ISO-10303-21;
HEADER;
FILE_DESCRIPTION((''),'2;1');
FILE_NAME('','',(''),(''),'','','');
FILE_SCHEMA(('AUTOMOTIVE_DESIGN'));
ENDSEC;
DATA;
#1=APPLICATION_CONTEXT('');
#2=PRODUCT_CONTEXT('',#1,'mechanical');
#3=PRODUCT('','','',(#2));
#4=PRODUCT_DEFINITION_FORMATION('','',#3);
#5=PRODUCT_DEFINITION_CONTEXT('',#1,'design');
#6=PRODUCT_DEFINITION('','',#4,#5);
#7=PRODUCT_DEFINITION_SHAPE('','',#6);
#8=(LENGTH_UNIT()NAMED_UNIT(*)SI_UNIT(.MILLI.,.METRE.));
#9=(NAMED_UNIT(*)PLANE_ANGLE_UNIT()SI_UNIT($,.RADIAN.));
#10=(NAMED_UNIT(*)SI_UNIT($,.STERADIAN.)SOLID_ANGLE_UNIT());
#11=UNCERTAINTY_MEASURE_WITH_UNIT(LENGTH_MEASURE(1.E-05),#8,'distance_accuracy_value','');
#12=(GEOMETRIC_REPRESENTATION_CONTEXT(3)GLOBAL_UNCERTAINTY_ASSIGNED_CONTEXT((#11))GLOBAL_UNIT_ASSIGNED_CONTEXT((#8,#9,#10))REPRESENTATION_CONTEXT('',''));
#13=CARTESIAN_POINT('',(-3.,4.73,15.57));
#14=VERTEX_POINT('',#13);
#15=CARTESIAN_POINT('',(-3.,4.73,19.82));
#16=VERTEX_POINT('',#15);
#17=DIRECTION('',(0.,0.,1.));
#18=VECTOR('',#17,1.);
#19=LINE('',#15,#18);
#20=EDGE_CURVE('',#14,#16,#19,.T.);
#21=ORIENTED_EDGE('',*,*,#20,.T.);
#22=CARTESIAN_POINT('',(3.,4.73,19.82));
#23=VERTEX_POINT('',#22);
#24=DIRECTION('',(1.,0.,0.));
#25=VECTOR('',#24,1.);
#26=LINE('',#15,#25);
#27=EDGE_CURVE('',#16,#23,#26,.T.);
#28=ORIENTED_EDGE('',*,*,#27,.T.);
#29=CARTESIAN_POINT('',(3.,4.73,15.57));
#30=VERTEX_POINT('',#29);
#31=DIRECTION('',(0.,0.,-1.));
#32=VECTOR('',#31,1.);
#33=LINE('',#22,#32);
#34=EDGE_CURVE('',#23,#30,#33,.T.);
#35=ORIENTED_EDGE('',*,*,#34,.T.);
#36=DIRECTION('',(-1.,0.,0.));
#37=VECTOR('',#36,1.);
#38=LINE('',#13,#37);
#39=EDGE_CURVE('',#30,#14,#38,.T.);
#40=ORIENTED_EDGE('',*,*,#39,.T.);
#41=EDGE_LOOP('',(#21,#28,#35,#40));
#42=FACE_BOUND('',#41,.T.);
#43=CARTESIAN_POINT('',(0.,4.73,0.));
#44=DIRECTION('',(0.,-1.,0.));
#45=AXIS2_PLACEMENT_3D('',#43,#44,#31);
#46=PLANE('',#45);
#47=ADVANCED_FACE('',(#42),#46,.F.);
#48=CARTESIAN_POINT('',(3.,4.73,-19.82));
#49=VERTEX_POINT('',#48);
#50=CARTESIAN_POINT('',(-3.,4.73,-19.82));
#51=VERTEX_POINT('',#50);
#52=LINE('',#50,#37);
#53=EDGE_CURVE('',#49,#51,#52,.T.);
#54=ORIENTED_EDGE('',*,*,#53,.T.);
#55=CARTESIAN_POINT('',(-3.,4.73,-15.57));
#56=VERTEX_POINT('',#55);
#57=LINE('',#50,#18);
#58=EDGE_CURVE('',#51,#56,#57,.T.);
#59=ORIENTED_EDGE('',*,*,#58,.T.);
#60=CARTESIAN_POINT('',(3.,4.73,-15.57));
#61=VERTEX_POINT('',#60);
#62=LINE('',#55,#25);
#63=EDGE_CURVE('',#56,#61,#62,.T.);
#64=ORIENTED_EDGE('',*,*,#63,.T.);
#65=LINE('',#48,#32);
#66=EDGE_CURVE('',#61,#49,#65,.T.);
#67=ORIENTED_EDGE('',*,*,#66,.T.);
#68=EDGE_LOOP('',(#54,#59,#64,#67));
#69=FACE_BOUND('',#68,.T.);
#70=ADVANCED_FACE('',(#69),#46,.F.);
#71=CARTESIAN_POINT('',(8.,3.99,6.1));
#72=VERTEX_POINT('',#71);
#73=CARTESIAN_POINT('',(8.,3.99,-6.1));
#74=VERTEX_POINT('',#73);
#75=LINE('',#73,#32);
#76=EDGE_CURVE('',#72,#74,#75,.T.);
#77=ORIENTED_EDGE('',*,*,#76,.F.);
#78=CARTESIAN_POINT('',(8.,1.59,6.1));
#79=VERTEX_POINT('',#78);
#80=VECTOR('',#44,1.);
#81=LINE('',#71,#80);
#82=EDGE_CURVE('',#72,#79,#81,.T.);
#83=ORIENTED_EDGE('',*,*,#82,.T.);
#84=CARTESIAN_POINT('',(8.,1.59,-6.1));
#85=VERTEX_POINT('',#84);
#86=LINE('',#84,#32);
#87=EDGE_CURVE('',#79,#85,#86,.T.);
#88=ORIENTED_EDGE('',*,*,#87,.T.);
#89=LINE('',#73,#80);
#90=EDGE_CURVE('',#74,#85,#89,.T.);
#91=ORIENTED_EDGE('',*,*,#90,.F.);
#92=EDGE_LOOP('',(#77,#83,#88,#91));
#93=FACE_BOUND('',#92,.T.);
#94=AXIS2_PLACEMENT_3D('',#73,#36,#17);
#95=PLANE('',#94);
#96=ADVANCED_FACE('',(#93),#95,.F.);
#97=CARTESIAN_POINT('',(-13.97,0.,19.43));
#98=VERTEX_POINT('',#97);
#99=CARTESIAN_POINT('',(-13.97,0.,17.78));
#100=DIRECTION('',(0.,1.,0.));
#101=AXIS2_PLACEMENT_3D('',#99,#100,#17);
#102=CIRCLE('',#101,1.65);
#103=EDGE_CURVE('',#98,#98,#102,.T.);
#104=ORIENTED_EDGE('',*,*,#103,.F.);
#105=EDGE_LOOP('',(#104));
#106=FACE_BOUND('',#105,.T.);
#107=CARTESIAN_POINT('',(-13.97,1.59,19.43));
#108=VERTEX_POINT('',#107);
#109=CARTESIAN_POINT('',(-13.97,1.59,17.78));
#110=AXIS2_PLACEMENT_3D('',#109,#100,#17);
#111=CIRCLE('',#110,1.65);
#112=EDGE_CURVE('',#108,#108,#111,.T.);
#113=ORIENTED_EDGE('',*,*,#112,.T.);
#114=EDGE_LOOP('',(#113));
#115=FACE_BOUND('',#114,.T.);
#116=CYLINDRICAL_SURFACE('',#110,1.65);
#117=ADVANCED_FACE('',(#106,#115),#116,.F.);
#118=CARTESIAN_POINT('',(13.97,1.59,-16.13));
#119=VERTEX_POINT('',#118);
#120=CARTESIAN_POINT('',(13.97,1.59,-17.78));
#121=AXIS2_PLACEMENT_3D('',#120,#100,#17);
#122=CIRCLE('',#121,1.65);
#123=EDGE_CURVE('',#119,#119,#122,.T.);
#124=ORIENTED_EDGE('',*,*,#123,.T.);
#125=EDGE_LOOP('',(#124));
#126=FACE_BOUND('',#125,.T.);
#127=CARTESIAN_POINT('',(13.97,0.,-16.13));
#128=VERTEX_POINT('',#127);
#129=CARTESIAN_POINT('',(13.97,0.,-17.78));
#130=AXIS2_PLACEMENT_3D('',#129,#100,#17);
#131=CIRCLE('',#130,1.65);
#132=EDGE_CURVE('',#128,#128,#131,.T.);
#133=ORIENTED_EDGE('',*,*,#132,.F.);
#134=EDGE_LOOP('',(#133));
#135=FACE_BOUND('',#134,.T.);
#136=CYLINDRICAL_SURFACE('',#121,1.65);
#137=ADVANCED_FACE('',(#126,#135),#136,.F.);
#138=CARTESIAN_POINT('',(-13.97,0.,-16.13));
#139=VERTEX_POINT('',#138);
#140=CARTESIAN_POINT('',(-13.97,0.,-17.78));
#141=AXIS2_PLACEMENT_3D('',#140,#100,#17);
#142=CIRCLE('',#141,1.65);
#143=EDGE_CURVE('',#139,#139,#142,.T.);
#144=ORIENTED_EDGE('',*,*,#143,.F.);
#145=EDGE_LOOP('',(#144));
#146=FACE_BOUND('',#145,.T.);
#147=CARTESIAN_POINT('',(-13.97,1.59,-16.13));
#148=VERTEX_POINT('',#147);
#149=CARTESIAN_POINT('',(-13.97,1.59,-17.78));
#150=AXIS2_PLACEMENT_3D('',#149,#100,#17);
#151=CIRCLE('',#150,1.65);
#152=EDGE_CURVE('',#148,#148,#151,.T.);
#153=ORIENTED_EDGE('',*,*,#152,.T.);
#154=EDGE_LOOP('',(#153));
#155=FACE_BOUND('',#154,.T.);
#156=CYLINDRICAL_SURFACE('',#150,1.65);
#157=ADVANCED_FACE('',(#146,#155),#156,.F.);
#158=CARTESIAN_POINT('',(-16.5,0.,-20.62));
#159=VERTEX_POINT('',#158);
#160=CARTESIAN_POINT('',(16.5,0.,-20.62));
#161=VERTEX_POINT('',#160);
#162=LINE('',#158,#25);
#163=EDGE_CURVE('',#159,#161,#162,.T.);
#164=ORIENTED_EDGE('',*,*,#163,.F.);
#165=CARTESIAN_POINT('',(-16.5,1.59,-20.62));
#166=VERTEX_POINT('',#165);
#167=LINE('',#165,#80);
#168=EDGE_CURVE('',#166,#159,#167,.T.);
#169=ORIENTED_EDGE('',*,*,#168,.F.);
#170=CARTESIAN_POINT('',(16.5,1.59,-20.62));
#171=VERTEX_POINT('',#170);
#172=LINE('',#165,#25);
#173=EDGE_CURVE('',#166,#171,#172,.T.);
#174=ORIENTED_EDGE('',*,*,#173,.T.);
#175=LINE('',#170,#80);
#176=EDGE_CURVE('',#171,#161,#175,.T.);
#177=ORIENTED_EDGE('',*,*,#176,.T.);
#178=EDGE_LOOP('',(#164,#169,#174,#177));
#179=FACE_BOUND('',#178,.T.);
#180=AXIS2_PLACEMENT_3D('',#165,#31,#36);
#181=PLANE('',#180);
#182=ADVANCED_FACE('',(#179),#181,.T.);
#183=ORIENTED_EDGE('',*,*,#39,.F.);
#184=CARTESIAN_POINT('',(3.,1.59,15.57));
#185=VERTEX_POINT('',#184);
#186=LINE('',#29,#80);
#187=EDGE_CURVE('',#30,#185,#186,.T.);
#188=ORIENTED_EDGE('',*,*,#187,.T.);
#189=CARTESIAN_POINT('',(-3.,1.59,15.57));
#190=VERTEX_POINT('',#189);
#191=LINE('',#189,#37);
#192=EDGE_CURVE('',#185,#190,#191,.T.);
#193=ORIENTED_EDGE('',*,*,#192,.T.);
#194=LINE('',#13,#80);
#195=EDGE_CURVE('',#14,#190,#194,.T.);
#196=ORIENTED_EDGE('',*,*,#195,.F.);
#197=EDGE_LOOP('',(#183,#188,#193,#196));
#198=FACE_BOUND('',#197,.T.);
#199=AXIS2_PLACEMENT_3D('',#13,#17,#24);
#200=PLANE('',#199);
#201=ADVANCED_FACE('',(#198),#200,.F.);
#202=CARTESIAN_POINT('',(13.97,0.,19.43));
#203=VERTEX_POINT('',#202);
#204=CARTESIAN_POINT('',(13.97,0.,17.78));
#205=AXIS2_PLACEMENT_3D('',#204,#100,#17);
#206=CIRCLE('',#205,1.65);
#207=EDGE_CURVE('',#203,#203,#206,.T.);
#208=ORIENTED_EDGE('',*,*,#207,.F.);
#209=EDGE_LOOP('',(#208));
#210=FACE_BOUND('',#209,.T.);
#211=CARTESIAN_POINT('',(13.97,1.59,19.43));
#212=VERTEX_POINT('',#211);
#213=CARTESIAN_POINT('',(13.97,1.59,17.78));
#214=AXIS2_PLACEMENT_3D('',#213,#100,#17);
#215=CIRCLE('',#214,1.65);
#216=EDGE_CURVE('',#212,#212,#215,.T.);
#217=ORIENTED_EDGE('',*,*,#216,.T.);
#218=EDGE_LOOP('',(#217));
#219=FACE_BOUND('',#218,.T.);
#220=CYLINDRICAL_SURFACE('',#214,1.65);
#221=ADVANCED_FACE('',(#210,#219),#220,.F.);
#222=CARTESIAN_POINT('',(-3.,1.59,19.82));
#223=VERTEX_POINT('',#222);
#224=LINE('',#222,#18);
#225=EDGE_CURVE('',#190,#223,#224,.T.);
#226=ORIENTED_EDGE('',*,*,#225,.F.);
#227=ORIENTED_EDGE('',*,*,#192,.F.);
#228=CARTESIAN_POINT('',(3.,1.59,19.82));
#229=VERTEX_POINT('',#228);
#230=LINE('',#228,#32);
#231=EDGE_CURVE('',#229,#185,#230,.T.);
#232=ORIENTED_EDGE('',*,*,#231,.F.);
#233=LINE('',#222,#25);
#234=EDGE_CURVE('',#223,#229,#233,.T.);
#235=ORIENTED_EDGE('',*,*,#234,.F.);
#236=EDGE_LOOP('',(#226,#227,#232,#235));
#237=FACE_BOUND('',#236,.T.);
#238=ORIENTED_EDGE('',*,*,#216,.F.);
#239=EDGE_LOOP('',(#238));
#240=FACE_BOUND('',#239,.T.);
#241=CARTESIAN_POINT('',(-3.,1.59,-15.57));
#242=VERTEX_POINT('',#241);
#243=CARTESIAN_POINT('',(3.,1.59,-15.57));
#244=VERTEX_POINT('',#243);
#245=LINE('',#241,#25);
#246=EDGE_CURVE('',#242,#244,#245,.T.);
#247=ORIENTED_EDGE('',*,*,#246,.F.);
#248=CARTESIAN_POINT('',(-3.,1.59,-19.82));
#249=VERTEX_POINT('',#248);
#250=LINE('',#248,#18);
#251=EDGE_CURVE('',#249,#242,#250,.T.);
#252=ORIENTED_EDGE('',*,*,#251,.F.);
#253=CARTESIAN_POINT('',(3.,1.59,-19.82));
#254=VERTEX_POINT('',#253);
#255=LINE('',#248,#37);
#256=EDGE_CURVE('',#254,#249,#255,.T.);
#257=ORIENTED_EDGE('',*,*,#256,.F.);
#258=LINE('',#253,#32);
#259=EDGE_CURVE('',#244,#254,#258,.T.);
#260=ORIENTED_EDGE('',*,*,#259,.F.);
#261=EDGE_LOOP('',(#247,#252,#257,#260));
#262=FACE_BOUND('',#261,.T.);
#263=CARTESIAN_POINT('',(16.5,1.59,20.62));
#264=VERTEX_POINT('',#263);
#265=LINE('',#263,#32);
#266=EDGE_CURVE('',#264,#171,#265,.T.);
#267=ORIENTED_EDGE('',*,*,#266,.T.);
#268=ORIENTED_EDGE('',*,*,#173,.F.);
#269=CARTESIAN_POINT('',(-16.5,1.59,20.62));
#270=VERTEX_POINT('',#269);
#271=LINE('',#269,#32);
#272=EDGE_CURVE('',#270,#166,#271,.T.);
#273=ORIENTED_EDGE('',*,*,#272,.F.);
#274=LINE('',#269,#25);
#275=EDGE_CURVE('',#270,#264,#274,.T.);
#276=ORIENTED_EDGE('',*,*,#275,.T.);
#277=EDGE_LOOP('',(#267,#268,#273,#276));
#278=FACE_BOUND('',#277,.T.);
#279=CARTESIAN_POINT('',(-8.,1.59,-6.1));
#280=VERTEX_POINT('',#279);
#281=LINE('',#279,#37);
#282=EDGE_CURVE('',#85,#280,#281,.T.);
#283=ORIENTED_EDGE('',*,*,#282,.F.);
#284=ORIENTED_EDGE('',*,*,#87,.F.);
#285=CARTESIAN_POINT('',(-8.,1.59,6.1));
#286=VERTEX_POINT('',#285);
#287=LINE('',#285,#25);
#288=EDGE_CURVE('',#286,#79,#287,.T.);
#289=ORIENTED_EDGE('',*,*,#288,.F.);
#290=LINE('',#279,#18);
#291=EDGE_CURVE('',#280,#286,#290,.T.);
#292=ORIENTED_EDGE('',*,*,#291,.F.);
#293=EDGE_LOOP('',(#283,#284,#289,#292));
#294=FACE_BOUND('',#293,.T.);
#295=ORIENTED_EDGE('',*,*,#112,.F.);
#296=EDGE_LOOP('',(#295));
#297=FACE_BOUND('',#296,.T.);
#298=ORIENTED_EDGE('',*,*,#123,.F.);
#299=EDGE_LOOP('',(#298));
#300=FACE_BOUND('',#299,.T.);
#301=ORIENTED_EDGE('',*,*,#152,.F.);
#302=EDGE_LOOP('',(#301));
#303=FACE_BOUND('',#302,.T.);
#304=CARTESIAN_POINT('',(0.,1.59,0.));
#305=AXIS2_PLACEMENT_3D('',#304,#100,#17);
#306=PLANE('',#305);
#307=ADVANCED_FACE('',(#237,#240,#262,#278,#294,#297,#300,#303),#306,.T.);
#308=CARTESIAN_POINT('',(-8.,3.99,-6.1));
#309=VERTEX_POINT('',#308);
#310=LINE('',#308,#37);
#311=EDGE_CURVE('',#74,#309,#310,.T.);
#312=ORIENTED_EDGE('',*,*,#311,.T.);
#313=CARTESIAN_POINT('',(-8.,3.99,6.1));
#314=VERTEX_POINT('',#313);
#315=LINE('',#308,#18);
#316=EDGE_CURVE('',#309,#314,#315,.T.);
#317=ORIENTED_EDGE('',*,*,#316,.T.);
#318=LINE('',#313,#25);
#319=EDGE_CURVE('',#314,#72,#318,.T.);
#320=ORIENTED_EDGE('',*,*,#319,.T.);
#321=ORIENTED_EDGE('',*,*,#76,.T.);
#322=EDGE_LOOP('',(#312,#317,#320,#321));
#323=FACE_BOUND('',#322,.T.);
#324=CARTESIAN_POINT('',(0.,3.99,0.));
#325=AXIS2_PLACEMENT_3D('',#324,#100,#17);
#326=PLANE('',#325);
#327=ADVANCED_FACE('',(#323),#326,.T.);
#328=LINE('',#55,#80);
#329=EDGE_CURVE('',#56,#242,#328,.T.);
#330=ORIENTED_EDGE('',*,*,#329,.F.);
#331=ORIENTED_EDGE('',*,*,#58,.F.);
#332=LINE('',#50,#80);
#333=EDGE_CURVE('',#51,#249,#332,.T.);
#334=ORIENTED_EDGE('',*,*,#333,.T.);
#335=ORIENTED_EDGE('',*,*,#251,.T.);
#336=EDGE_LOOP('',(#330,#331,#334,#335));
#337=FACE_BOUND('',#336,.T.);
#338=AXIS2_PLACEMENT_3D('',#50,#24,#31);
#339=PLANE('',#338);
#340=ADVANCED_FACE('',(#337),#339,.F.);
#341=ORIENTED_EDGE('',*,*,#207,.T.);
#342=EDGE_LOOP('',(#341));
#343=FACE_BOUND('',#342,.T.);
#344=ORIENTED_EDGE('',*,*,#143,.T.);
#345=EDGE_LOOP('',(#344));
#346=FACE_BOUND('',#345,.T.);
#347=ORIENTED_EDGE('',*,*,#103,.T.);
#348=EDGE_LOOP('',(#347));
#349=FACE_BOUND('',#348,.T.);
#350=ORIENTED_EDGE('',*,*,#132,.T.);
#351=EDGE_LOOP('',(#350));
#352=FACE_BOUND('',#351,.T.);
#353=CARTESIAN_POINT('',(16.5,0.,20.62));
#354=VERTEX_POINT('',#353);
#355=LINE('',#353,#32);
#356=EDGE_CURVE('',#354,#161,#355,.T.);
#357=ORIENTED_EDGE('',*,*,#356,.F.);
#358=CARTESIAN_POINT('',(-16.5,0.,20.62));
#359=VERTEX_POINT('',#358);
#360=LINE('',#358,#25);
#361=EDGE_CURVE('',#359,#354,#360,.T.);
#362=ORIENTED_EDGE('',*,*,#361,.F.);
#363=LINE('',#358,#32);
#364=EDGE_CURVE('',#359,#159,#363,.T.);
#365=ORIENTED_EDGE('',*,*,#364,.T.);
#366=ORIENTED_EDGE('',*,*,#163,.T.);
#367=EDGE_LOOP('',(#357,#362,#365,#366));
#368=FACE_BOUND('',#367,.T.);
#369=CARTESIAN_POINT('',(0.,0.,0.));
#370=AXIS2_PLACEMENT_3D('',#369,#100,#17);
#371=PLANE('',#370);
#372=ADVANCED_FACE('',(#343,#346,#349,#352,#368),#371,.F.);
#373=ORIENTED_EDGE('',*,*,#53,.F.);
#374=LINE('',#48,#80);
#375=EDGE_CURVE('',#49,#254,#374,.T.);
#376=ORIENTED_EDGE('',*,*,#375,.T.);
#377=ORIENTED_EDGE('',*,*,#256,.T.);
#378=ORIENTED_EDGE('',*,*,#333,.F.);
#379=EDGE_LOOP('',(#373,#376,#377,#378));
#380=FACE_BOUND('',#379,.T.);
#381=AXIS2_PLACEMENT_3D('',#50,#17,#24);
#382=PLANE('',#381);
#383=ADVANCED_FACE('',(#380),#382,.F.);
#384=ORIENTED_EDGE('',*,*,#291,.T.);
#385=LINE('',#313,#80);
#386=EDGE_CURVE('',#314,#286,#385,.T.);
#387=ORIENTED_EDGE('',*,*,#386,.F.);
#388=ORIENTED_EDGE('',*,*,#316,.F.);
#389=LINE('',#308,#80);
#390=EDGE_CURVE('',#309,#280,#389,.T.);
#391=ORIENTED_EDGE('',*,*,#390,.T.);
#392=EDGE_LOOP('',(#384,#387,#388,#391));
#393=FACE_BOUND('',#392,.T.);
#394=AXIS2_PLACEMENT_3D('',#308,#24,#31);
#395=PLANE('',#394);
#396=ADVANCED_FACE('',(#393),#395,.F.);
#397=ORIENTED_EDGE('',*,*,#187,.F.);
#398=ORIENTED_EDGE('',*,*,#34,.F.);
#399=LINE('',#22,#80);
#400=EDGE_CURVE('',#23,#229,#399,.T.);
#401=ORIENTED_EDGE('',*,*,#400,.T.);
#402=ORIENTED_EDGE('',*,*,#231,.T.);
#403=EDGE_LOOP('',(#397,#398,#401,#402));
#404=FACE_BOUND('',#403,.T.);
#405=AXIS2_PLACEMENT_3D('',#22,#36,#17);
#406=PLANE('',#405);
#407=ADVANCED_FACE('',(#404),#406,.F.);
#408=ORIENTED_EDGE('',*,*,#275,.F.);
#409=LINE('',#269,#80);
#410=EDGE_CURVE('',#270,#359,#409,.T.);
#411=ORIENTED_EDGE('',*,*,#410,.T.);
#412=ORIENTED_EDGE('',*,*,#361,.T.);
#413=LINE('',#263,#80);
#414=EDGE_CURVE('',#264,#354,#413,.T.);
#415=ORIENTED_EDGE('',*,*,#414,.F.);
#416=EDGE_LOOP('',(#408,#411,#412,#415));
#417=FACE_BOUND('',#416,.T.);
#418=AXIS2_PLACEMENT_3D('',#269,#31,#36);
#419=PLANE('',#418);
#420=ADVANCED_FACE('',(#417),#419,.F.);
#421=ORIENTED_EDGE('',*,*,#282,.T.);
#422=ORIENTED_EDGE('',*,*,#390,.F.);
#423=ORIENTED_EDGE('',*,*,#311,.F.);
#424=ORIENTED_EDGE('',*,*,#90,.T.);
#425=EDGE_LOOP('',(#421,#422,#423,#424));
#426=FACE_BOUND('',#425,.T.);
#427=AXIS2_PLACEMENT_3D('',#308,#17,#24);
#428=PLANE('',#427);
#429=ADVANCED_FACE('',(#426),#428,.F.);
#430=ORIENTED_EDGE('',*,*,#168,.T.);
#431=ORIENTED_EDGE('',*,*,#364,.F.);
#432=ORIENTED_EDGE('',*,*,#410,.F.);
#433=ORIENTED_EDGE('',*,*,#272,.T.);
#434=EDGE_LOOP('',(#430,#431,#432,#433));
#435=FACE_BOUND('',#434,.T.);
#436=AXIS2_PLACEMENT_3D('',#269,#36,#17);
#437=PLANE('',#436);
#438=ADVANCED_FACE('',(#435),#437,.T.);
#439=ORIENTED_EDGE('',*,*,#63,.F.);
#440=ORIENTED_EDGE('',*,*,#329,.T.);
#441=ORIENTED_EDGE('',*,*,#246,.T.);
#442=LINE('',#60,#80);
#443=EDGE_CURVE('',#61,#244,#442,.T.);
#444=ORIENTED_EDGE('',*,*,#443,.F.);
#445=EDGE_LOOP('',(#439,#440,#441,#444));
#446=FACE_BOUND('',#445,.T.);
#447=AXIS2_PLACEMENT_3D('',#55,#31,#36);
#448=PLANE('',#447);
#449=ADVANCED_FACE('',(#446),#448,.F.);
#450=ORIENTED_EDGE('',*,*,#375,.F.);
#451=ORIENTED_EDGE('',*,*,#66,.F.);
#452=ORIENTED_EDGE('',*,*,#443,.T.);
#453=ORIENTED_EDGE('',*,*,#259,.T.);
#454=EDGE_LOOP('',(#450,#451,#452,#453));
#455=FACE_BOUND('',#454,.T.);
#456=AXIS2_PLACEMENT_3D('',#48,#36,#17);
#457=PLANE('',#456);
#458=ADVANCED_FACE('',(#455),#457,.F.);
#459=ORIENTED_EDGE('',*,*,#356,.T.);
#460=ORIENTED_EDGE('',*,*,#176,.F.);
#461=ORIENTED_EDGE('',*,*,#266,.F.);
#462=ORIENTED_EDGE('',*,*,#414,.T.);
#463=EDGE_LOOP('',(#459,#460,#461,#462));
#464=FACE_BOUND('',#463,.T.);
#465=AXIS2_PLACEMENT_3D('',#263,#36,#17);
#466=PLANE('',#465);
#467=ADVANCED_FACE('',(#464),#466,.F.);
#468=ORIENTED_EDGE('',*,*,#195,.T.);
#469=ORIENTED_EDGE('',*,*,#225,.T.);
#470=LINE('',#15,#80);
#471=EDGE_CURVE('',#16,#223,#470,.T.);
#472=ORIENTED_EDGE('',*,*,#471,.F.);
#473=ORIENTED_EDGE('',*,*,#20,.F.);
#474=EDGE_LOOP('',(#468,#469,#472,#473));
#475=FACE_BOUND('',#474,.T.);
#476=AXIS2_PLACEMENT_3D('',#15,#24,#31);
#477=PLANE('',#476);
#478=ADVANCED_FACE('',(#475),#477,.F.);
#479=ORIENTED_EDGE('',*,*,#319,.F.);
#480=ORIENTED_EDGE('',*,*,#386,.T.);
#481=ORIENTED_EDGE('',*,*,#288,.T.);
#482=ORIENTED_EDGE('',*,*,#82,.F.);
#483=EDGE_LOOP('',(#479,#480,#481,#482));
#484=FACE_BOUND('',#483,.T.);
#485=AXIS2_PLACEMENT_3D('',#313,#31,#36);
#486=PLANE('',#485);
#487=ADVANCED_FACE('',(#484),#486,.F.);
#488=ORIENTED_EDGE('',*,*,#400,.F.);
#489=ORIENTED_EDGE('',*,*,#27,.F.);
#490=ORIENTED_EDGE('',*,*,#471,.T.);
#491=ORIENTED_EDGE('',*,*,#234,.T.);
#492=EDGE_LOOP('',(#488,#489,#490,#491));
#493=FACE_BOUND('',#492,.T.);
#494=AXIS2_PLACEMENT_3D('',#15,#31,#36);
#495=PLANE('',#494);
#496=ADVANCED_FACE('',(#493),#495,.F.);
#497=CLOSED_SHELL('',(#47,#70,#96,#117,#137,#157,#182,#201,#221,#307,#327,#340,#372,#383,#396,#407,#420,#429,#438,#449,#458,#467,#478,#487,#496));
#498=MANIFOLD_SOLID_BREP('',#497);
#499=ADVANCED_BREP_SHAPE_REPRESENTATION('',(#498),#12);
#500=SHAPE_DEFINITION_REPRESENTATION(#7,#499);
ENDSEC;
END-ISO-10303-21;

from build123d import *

# Parameters (mm, degrees)
SKETCH1_W            = 33
SKETCH1_H            = 41.24
BOSS_EXTRUDE1_DEPTH  = 1.59
M3_CLEARANCE_HOLE1_D = 3.3
SKETCH6_W            = 16
SKETCH6_H            = 12.2
M8P_DEPTH            = 2.4
SKETCH7_W            = 6
SKETCH7_H            = 4.25
I2C_CONNECTORS_DEPTH = 3.14


with BuildPart() as part:
    # Sketch1 → Boss-Extrude1 (new body)
    with BuildSketch(Plane(origin=(0, 0, 0), x_dir=(1, 0, 0), z_dir=(0, 1, 0))):
        Rectangle(SKETCH1_W, SKETCH1_H)
    extrude(amount=BOSS_EXTRUDE1_DEPTH)

    # M3 Clearance Hole1 (through all)
    with Locations(Plane(origin=(0, 1.59, 0), x_dir=(1, 0, 0), z_dir=(0, 1, 0))):
        with Locations((-13.97, 17.78), (13.97, 17.78), (13.97, -17.78), (-13.97, -17.78)):
            Hole(M3_CLEARANCE_HOLE1_D / 2)

    # Sketch6 → M8P (add)
    with BuildSketch(Plane(origin=(0, 1.59, 0), x_dir=(1, 0, 0), z_dir=(0, 1, 0))):
        Rectangle(SKETCH6_W, SKETCH6_H)
    extrude(amount=M8P_DEPTH)

    # Sketch7 → I2C connectors (add)
    with BuildSketch(Plane(origin=(0, 1.59, 0), x_dir=(1, 0, 0), z_dir=(0, 1, 0))):
        with Locations((0, -17.695)):
            Rectangle(SKETCH7_W, SKETCH7_H)
        with Locations((0, 17.695)):
            Rectangle(SKETCH7_W, SKETCH7_H)
    extrude(amount=I2C_CONNECTORS_DEPTH)


solid = part.part
